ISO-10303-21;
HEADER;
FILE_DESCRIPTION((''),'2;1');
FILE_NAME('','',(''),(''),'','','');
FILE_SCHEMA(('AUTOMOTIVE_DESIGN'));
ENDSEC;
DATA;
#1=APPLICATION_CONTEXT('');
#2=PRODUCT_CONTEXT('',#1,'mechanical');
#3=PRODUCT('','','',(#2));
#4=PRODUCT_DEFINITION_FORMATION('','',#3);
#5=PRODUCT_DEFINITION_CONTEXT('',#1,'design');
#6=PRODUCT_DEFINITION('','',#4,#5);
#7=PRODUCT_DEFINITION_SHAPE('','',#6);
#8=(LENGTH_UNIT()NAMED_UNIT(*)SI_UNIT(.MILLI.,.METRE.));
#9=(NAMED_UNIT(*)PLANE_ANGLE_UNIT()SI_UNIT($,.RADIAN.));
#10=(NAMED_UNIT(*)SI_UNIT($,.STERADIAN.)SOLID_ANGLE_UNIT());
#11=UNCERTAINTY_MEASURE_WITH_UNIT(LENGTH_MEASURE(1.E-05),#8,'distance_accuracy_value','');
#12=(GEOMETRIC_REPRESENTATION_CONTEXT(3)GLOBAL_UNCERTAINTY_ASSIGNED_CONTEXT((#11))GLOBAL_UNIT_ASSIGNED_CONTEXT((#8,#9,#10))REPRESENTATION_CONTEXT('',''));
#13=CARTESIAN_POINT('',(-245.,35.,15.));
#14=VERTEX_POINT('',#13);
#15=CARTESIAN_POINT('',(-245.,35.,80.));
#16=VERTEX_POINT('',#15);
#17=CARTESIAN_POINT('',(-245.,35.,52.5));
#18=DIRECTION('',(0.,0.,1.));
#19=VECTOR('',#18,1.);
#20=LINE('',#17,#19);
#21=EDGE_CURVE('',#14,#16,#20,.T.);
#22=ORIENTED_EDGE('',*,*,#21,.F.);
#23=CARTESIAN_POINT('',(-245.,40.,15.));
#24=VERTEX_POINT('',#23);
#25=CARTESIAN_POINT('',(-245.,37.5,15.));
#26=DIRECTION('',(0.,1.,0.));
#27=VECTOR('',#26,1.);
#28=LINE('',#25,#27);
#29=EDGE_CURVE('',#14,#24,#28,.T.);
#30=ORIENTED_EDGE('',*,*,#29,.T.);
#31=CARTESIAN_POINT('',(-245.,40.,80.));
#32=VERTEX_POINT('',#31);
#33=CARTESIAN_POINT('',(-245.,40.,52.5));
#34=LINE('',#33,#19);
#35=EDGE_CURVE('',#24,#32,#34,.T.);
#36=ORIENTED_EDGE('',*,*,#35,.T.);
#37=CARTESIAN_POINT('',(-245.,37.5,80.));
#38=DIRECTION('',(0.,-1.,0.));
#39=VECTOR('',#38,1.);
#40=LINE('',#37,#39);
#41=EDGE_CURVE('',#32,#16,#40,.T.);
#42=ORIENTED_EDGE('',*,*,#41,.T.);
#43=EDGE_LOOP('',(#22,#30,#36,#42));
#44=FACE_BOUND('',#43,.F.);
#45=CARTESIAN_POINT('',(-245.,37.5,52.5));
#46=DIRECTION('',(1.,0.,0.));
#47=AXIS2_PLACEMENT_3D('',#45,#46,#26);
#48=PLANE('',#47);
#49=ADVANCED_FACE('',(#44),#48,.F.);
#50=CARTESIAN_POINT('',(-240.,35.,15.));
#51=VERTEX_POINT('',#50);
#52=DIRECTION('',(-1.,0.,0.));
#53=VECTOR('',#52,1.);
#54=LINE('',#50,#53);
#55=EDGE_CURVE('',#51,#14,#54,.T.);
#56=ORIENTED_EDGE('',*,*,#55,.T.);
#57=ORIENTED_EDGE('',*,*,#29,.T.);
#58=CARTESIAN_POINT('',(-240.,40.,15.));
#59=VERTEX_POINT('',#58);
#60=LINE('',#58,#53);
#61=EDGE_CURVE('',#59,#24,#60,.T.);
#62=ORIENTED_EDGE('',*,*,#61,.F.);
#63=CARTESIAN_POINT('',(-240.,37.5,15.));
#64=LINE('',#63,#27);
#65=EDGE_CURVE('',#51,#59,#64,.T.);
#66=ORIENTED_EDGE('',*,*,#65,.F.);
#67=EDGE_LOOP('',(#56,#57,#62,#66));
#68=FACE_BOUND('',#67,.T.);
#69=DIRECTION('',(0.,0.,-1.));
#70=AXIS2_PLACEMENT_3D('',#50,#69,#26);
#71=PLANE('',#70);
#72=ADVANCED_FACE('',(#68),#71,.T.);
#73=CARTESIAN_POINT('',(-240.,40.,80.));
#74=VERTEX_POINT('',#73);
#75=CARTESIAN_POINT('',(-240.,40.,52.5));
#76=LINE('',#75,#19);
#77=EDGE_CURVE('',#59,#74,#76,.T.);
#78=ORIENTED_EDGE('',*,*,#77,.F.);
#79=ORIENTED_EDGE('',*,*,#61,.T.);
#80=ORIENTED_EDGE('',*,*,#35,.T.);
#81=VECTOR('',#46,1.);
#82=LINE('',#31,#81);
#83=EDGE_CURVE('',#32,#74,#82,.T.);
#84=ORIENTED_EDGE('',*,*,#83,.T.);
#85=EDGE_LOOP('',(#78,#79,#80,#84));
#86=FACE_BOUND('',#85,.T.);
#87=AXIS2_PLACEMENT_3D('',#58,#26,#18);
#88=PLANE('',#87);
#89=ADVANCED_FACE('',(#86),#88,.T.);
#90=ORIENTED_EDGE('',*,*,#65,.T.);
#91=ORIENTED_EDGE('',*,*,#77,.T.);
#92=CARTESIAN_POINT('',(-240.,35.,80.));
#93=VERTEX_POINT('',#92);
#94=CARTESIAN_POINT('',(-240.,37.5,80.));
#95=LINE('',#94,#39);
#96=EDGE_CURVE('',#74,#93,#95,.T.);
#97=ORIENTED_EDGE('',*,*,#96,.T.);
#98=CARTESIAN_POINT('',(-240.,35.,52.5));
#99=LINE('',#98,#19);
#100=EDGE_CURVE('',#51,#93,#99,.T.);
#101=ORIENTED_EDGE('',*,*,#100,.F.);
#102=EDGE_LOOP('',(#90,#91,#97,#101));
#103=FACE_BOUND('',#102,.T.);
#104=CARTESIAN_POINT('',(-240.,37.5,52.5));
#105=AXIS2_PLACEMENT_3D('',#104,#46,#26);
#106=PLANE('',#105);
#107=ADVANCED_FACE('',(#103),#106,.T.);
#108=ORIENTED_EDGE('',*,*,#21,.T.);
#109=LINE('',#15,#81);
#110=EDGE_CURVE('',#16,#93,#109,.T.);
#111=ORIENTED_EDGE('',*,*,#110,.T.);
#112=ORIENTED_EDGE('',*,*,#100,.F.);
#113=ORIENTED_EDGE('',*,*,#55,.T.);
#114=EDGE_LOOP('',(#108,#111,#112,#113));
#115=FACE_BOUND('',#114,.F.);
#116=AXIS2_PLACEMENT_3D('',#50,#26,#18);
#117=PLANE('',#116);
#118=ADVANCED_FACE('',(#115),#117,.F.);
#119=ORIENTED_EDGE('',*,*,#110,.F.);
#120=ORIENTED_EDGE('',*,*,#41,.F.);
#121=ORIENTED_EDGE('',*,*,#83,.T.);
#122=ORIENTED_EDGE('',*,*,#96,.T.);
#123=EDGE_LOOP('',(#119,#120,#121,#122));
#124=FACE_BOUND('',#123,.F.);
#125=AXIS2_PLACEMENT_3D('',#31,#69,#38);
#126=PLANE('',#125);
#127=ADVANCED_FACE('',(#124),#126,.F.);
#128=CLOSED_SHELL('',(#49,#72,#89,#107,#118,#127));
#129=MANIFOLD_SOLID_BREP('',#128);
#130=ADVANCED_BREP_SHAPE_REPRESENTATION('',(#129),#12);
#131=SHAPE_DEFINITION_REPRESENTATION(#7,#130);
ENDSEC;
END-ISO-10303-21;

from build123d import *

# Parameters (mm, degrees)
RECTANGLE069_W   = 5
RECTANGLE069_H   = 10
EXTRUDE083_DEPTH = 5
RECTANGLE045_W   = 5
RECTANGLE045_H   = 75
EXTRUDE053_DEPTH = 5


with BuildPart() as extrude083:
    # Rectangle069 → Extrude083 (new body)
    with BuildSketch(Plane(origin=(-245, 40, 80), x_dir=(0, -1, 0), z_dir=(-1, 0, 0))):
        with Locations((2.5, 5)):
            Rectangle(RECTANGLE069_W, RECTANGLE069_H)
    extrude(amount=-EXTRUDE083_DEPTH)


with BuildPart() as cut004:
    # Rectangle045 → Extrude053 (new body)
    with BuildSketch(Plane(origin=(-140, 35, 15), x_dir=(0, 1, 0), z_dir=(1, 0, 0))):
        with Locations((2.5, 37.5)):
            Rectangle(RECTANGLE045_W, RECTANGLE045_H)
    extrude(amount=-EXTRUDE053_DEPTH)


with BuildPart() as cut004_1:
    # Extrude053 placement: moved
    add(cut004.part.moved(Location((-100, 0, 0))))

    # Cut004: cut Extrude083
    add(extrude083.part, mode=Mode.SUBTRACT)


solid = cut004_1.part
